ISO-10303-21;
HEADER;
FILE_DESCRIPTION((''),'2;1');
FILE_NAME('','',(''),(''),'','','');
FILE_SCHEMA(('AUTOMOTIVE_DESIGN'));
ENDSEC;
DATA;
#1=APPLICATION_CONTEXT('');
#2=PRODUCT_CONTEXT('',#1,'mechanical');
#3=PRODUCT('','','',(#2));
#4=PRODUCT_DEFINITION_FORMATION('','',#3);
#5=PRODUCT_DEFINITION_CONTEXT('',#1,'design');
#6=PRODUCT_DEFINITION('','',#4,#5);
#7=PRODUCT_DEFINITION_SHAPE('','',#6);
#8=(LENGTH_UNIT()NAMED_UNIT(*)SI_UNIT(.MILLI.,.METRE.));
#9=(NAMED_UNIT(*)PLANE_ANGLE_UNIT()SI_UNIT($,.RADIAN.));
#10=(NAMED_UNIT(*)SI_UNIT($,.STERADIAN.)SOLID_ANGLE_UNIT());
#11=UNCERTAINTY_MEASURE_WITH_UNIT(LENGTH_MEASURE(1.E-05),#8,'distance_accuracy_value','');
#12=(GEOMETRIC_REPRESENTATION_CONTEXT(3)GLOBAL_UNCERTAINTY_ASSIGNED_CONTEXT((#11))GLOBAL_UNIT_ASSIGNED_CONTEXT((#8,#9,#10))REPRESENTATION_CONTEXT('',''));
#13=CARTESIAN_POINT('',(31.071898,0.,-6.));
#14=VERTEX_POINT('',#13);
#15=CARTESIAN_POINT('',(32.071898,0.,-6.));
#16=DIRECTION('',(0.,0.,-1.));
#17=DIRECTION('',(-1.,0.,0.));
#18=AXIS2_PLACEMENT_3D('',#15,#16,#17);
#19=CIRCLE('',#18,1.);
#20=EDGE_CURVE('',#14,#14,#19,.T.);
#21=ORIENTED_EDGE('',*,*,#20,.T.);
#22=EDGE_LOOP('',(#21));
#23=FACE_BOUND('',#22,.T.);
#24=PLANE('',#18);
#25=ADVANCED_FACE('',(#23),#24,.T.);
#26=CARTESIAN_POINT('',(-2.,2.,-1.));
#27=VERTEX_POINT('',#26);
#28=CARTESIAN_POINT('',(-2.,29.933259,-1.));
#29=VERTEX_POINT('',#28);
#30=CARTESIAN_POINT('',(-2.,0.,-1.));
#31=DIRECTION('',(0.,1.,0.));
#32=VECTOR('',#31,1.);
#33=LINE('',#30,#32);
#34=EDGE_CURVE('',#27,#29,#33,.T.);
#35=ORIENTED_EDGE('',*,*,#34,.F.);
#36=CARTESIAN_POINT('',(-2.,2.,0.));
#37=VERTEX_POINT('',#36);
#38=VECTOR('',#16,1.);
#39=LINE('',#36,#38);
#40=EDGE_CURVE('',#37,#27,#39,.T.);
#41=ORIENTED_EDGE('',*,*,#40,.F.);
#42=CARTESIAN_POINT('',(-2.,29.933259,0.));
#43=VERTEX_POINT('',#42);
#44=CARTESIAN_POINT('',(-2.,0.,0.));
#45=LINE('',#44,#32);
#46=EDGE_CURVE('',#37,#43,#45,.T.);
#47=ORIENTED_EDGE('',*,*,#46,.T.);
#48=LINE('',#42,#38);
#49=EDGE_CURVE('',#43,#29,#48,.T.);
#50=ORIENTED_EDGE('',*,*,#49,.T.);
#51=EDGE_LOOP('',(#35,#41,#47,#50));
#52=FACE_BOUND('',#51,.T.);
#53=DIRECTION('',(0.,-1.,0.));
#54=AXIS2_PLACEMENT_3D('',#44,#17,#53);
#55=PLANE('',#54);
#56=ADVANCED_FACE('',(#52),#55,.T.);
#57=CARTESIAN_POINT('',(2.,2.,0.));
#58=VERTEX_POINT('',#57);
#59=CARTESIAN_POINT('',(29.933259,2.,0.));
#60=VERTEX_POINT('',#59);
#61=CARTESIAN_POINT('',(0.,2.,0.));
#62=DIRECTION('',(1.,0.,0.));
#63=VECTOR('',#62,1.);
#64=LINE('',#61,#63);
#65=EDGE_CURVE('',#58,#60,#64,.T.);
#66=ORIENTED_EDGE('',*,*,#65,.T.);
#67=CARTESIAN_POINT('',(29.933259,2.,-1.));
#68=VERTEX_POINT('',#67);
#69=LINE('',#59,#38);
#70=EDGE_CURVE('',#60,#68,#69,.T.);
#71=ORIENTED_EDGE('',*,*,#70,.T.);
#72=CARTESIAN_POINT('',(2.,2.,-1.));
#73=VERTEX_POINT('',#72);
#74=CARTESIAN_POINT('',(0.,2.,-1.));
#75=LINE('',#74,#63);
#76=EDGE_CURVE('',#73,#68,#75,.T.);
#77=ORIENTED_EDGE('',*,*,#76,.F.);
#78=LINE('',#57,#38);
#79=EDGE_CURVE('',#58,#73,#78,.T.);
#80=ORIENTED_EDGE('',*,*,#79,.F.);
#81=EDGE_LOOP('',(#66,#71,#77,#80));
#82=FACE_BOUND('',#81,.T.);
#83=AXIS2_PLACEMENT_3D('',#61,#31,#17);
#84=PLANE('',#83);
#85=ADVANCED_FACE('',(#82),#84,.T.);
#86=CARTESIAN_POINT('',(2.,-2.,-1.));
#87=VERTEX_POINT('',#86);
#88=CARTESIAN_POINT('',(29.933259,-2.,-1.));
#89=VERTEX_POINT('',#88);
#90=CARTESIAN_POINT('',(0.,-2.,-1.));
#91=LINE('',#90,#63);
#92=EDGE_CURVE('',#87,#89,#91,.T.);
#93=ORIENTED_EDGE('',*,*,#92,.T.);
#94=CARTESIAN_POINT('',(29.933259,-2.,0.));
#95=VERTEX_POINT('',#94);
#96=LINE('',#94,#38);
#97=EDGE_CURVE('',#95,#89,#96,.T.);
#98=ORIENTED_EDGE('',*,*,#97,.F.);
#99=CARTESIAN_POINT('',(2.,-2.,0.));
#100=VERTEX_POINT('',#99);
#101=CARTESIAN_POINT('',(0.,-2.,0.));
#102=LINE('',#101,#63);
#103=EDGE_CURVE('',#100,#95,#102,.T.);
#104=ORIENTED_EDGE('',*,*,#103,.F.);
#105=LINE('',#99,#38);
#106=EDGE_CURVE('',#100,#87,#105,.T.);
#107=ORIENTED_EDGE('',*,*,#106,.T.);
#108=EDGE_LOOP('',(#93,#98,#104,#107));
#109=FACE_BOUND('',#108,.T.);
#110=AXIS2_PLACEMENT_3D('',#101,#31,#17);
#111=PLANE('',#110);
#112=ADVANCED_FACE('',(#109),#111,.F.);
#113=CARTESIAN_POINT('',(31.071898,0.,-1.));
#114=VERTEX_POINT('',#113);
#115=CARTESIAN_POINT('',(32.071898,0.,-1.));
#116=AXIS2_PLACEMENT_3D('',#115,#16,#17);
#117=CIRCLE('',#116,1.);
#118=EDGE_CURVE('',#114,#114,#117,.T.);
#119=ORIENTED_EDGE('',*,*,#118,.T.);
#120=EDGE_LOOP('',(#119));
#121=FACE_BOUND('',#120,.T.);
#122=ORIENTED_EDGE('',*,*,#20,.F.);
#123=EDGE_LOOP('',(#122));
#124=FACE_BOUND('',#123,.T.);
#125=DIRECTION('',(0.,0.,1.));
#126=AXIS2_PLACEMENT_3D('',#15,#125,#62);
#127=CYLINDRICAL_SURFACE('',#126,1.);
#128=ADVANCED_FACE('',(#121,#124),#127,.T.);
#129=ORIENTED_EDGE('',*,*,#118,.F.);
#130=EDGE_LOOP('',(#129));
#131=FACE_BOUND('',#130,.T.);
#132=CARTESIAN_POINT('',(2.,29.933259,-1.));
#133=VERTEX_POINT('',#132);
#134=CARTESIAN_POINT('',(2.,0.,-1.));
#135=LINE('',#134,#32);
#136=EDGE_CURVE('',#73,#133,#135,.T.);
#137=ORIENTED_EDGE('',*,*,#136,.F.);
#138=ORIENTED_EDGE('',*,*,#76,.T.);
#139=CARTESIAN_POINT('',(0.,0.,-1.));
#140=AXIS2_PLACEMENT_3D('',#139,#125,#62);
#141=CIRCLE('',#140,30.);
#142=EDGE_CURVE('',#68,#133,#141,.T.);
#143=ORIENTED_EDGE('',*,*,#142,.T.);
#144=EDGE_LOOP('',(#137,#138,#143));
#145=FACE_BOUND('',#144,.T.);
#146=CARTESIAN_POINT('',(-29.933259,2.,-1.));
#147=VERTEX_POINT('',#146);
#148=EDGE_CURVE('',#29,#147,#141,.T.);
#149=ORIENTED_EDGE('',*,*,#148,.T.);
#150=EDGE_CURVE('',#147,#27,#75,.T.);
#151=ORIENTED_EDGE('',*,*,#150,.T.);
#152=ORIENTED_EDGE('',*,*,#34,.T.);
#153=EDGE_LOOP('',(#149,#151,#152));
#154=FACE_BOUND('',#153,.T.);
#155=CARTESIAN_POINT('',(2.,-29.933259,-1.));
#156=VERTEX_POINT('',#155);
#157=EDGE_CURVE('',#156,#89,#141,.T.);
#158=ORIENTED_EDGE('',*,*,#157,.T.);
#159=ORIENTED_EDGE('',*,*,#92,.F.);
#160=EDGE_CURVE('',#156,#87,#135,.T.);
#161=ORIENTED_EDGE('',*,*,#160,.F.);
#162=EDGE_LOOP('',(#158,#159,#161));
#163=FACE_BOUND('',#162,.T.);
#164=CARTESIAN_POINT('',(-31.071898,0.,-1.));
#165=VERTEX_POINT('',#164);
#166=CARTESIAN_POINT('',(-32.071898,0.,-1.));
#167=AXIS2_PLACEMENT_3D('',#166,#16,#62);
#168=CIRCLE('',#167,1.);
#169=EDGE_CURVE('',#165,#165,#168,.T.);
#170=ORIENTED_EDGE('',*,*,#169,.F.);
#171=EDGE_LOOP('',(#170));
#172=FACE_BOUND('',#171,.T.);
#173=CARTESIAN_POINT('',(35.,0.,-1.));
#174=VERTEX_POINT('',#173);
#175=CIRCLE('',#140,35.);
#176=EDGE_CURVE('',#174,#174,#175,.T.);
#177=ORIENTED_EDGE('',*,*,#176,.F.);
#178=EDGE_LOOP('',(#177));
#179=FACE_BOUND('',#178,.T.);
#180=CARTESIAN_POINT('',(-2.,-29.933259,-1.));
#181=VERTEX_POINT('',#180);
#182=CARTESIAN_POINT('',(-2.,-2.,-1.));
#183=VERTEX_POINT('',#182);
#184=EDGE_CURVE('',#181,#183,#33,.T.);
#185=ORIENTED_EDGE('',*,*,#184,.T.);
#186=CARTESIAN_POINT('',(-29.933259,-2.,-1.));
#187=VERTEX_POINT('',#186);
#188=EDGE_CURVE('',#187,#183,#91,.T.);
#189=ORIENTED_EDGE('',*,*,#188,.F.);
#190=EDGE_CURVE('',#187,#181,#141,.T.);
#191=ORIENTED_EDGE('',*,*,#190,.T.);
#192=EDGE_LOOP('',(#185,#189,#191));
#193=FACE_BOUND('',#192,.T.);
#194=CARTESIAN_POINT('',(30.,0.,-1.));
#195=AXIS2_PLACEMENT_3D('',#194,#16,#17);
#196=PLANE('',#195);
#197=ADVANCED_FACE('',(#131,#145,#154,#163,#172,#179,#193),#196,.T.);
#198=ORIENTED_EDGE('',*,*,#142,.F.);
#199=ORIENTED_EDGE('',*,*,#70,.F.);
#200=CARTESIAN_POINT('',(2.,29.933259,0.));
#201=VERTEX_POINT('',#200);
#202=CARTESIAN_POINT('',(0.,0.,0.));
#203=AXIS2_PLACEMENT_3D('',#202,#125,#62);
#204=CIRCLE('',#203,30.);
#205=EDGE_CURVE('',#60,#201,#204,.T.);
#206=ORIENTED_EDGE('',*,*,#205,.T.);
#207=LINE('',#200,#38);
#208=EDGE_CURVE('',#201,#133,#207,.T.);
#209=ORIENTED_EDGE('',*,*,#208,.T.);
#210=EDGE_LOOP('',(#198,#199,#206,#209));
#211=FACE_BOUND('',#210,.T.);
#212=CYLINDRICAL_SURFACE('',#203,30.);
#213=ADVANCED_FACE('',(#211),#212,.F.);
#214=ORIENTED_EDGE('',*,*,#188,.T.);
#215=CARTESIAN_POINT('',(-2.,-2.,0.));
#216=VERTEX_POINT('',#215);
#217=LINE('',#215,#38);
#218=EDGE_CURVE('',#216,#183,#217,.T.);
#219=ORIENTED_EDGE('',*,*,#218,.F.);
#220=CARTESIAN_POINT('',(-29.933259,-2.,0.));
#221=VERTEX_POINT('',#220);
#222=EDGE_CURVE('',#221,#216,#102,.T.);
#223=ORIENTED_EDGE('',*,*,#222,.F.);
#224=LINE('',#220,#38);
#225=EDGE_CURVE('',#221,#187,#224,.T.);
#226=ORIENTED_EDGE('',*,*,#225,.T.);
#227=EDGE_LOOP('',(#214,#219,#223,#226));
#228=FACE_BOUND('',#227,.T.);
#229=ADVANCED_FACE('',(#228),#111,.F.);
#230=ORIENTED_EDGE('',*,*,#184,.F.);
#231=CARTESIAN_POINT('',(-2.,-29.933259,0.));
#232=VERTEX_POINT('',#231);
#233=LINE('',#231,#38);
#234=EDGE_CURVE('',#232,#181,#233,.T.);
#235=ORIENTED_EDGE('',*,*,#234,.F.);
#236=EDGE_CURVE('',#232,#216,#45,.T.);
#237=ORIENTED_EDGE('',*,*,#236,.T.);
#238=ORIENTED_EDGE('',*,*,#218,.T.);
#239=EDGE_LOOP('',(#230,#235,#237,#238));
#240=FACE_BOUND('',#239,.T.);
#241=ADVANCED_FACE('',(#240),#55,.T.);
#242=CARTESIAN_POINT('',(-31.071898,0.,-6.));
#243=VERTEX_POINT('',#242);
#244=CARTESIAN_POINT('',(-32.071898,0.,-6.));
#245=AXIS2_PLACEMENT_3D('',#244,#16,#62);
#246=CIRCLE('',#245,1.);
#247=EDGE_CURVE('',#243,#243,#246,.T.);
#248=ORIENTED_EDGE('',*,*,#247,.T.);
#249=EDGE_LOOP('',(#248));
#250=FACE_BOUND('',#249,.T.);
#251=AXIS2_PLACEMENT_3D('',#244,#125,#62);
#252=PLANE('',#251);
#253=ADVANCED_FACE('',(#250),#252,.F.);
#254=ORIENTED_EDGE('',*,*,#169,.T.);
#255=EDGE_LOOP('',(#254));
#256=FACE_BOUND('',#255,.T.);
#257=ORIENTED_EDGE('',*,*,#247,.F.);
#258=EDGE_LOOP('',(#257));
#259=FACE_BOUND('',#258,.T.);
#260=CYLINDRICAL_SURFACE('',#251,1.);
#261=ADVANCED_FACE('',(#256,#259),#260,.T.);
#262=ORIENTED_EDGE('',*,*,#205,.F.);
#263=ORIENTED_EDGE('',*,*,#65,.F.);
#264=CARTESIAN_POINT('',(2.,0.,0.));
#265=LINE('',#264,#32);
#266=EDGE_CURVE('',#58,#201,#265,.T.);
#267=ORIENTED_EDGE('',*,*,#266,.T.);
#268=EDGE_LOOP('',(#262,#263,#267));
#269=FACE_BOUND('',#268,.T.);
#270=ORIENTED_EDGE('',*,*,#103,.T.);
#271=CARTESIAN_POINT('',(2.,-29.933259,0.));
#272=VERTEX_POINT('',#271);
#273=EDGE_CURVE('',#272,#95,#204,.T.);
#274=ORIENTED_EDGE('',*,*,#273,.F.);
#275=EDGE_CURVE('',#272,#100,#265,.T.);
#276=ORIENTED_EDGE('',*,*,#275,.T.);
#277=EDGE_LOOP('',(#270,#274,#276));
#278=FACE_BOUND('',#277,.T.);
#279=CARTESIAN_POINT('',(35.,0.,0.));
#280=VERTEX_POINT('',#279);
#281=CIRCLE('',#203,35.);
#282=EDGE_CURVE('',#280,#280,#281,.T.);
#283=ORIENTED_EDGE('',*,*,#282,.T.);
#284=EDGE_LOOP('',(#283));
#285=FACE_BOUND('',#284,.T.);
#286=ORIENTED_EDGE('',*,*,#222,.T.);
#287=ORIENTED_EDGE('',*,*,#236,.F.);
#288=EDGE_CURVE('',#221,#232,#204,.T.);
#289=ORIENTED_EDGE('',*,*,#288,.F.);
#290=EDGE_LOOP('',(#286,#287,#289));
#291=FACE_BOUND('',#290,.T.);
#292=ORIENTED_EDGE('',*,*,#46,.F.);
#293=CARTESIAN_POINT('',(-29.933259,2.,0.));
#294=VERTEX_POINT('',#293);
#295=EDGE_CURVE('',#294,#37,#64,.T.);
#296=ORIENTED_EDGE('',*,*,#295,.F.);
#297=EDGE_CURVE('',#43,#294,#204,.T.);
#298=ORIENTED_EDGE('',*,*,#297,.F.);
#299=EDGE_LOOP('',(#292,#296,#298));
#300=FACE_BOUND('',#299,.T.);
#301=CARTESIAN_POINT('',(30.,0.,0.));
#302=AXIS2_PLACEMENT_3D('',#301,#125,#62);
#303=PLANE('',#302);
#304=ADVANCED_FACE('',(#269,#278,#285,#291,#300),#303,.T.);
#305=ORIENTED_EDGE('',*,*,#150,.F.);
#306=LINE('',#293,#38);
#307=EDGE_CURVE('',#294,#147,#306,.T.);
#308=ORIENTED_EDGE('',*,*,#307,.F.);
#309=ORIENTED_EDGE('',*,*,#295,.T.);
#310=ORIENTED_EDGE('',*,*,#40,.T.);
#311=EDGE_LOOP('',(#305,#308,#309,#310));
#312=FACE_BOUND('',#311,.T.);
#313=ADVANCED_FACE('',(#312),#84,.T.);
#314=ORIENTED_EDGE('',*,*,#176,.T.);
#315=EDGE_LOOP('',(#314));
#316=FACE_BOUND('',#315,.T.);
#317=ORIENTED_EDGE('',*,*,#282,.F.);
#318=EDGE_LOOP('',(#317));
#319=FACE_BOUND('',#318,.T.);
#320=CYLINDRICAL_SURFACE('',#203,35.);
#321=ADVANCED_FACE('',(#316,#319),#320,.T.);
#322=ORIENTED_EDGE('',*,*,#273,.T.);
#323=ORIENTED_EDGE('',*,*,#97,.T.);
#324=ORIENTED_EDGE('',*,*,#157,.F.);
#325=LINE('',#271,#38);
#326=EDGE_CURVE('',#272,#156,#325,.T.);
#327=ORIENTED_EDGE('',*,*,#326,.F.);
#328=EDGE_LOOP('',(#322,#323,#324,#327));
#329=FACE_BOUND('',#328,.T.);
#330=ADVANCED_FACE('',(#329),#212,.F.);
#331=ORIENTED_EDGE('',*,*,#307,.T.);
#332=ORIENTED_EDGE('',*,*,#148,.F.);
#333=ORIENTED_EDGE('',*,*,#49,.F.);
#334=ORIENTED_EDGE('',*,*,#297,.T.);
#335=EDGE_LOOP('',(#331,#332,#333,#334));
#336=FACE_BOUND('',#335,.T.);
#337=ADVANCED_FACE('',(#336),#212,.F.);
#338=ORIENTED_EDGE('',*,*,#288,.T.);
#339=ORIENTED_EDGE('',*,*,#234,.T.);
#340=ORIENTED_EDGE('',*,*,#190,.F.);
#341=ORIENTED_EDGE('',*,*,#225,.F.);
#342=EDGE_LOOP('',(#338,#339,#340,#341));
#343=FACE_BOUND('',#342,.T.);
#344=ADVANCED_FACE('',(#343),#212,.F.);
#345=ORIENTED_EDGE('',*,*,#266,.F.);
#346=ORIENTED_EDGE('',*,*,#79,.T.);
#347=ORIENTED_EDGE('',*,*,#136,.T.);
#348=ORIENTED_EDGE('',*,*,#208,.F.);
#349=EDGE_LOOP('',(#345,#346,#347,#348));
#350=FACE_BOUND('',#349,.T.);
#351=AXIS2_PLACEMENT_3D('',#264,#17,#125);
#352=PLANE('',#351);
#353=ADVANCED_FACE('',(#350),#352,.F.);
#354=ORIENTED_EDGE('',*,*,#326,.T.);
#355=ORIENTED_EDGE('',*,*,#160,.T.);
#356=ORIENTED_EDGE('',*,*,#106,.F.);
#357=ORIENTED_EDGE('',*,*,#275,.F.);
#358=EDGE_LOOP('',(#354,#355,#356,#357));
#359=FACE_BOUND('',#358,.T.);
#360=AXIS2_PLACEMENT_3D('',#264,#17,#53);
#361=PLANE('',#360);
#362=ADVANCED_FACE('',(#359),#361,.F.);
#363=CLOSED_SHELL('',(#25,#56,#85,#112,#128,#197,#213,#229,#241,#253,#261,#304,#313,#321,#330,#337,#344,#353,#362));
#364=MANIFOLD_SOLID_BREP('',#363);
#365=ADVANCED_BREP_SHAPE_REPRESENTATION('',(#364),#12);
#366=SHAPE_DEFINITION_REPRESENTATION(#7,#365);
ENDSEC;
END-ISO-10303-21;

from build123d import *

# Parameters (mm, degrees)
SKETCH1_W           = 5
SKETCH1_H           = 1
BOSS_EXTRUDE1_DEPTH = 1
SKETCH3_R           = 1
BOSS_EXTRUDE2_DEPTH = 5


with BuildPart() as part:
    # Sketch1 → Revolve1 (revolve)
    with BuildSketch(Plane(origin=(0, 0, 0), x_dir=(1, 0, 0), z_dir=(0, 1, 0))):
        with Locations((32.5, 0.5)):
            Rectangle(SKETCH1_W, SKETCH1_H)
    revolve(axis=Axis((0, 0, 0), (0, 0, -1)))

    # Sketch2 → Boss-Extrude1 (add)
    with BuildSketch(Plane(origin=(0, 0, -1), x_dir=(-1, 0, 0), z_dir=(0, 0, -1))):
        Polygon((-2, -30.927225956), (2, -30.927225956), (2, -2), (31.252775703, -2), (31.252775703, 2), (2, 2), (2, 30.927225956), (-2, 30.927225956), (-2, 2), (-31.252775703, 2), (-31.252775703, -2), (-2, -2), align=None)
    extrude(amount=-BOSS_EXTRUDE1_DEPTH)

    # Sketch3 → Boss-Extrude2 (add)
    with BuildSketch(Plane(origin=(0, 0, -1), x_dir=(-1, 0, 0), z_dir=(0, 0, -1))):
        with Locations((-32.071898489, 0)):
            Circle(SKETCH3_R)
        with Locations(Location((32.071898489, 0, 0), (0, 0, 180))):
            Circle(SKETCH3_R)
    extrude(amount=BOSS_EXTRUDE2_DEPTH)


solid = part.part
